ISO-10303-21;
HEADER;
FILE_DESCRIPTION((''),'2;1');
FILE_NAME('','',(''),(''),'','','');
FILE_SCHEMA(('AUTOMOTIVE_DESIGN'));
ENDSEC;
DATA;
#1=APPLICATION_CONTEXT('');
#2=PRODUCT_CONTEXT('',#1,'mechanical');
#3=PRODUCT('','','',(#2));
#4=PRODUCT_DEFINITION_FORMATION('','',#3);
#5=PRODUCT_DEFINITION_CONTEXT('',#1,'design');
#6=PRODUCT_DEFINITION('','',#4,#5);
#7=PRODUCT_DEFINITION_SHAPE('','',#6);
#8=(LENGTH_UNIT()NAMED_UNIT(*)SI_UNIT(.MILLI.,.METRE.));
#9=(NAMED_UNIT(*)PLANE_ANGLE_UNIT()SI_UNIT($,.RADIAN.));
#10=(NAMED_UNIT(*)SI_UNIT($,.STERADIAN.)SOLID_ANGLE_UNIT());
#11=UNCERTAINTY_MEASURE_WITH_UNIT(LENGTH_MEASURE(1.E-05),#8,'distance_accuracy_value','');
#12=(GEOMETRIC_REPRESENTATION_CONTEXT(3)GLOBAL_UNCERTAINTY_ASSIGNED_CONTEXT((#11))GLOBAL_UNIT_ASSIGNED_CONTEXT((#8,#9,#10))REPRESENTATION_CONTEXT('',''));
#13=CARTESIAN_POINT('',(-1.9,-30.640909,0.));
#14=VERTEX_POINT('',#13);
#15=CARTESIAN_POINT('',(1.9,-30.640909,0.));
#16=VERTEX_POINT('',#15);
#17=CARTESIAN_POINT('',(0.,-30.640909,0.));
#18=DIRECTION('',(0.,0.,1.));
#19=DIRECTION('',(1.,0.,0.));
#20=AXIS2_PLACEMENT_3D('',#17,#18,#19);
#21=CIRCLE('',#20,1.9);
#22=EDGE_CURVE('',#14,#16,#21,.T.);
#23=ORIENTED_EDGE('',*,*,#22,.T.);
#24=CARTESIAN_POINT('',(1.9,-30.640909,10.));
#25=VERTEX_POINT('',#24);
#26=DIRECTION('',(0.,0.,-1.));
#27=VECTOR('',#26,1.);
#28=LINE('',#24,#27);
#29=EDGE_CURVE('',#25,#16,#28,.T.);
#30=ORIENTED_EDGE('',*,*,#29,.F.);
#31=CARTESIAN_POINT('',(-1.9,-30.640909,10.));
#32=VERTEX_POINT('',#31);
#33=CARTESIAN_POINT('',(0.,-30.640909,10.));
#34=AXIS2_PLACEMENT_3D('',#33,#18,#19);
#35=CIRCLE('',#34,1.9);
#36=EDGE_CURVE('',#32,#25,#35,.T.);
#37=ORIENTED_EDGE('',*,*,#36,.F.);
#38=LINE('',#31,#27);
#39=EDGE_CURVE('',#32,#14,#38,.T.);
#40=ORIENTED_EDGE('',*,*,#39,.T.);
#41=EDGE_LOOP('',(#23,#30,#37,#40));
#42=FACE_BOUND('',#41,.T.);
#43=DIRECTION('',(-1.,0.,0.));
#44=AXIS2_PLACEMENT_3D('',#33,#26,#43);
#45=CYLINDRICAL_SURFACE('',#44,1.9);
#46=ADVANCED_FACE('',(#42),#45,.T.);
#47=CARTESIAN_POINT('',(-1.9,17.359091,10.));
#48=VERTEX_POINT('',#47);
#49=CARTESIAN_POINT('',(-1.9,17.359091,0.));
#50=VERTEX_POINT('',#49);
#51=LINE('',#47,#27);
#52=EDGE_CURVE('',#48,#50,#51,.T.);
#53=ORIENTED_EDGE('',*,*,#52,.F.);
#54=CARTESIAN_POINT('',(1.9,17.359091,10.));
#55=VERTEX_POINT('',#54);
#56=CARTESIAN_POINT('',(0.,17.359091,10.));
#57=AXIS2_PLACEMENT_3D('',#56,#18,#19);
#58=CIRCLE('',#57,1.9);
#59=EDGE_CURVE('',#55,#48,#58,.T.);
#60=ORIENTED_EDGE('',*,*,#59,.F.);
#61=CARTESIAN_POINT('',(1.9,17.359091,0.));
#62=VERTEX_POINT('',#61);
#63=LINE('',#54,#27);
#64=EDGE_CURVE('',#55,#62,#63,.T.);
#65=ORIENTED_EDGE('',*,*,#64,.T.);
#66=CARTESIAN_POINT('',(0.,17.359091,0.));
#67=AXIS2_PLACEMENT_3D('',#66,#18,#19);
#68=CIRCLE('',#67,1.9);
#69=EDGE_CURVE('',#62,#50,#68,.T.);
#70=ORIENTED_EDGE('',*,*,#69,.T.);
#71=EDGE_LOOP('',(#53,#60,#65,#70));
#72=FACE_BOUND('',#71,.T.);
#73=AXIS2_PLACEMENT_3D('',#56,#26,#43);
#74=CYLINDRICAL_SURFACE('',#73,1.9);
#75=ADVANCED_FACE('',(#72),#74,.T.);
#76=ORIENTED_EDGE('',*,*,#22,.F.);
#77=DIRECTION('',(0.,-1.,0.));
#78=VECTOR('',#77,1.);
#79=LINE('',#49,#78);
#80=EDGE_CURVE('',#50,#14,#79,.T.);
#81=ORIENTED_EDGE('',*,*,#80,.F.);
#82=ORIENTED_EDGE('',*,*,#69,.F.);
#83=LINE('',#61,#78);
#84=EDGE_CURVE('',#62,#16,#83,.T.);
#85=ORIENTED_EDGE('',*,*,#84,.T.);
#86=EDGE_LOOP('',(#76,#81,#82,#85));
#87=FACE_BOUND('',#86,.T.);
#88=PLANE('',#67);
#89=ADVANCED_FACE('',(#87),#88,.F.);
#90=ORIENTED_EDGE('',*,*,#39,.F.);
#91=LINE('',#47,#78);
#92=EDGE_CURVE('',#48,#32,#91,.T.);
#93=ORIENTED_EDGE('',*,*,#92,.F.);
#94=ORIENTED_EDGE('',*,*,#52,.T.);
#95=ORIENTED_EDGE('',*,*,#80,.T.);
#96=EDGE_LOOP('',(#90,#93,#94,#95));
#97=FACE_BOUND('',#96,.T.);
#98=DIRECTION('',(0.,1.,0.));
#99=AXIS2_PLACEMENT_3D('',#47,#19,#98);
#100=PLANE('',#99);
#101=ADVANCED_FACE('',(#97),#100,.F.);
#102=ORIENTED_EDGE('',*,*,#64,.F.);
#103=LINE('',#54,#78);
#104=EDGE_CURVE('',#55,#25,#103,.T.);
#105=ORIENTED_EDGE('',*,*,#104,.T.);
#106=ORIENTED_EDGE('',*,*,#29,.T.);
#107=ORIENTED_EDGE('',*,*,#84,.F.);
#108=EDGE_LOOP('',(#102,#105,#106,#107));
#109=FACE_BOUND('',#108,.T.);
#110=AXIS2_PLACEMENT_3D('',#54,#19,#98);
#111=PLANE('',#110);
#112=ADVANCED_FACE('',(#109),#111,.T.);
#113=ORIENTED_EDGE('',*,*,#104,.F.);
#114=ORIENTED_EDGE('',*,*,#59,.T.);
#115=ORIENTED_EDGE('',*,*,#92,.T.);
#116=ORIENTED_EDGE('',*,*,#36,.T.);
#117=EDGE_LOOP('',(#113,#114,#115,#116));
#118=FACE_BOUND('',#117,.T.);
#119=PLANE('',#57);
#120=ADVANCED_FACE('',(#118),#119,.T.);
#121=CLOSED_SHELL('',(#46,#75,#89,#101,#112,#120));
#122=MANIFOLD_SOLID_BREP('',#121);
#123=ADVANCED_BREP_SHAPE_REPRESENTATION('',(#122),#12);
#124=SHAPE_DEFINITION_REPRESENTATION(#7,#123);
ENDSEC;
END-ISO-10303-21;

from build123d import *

# Parameters (mm, degrees)
EXTRUDE_1_DEPTH = 10


with BuildPart() as part:
    # 草图1 → 凸台-拉伸1 (new body)
    with BuildSketch(Plane.XY):
        with BuildLine():
            Line((1.9, 17.359090909), (1.9, -30.640909091))
            ThreePointArc((1.9, -30.640909091), (0, -32.540909091), (-1.9, -30.640909091))
            Line((-1.9, -30.640909091), (-1.9, 17.359090909))
            ThreePointArc((-1.9, 17.359090909), (0, 19.259090909), (1.9, 17.359090909))
        make_face()
    extrude(amount=EXTRUDE_1_DEPTH)


solid = part.part
